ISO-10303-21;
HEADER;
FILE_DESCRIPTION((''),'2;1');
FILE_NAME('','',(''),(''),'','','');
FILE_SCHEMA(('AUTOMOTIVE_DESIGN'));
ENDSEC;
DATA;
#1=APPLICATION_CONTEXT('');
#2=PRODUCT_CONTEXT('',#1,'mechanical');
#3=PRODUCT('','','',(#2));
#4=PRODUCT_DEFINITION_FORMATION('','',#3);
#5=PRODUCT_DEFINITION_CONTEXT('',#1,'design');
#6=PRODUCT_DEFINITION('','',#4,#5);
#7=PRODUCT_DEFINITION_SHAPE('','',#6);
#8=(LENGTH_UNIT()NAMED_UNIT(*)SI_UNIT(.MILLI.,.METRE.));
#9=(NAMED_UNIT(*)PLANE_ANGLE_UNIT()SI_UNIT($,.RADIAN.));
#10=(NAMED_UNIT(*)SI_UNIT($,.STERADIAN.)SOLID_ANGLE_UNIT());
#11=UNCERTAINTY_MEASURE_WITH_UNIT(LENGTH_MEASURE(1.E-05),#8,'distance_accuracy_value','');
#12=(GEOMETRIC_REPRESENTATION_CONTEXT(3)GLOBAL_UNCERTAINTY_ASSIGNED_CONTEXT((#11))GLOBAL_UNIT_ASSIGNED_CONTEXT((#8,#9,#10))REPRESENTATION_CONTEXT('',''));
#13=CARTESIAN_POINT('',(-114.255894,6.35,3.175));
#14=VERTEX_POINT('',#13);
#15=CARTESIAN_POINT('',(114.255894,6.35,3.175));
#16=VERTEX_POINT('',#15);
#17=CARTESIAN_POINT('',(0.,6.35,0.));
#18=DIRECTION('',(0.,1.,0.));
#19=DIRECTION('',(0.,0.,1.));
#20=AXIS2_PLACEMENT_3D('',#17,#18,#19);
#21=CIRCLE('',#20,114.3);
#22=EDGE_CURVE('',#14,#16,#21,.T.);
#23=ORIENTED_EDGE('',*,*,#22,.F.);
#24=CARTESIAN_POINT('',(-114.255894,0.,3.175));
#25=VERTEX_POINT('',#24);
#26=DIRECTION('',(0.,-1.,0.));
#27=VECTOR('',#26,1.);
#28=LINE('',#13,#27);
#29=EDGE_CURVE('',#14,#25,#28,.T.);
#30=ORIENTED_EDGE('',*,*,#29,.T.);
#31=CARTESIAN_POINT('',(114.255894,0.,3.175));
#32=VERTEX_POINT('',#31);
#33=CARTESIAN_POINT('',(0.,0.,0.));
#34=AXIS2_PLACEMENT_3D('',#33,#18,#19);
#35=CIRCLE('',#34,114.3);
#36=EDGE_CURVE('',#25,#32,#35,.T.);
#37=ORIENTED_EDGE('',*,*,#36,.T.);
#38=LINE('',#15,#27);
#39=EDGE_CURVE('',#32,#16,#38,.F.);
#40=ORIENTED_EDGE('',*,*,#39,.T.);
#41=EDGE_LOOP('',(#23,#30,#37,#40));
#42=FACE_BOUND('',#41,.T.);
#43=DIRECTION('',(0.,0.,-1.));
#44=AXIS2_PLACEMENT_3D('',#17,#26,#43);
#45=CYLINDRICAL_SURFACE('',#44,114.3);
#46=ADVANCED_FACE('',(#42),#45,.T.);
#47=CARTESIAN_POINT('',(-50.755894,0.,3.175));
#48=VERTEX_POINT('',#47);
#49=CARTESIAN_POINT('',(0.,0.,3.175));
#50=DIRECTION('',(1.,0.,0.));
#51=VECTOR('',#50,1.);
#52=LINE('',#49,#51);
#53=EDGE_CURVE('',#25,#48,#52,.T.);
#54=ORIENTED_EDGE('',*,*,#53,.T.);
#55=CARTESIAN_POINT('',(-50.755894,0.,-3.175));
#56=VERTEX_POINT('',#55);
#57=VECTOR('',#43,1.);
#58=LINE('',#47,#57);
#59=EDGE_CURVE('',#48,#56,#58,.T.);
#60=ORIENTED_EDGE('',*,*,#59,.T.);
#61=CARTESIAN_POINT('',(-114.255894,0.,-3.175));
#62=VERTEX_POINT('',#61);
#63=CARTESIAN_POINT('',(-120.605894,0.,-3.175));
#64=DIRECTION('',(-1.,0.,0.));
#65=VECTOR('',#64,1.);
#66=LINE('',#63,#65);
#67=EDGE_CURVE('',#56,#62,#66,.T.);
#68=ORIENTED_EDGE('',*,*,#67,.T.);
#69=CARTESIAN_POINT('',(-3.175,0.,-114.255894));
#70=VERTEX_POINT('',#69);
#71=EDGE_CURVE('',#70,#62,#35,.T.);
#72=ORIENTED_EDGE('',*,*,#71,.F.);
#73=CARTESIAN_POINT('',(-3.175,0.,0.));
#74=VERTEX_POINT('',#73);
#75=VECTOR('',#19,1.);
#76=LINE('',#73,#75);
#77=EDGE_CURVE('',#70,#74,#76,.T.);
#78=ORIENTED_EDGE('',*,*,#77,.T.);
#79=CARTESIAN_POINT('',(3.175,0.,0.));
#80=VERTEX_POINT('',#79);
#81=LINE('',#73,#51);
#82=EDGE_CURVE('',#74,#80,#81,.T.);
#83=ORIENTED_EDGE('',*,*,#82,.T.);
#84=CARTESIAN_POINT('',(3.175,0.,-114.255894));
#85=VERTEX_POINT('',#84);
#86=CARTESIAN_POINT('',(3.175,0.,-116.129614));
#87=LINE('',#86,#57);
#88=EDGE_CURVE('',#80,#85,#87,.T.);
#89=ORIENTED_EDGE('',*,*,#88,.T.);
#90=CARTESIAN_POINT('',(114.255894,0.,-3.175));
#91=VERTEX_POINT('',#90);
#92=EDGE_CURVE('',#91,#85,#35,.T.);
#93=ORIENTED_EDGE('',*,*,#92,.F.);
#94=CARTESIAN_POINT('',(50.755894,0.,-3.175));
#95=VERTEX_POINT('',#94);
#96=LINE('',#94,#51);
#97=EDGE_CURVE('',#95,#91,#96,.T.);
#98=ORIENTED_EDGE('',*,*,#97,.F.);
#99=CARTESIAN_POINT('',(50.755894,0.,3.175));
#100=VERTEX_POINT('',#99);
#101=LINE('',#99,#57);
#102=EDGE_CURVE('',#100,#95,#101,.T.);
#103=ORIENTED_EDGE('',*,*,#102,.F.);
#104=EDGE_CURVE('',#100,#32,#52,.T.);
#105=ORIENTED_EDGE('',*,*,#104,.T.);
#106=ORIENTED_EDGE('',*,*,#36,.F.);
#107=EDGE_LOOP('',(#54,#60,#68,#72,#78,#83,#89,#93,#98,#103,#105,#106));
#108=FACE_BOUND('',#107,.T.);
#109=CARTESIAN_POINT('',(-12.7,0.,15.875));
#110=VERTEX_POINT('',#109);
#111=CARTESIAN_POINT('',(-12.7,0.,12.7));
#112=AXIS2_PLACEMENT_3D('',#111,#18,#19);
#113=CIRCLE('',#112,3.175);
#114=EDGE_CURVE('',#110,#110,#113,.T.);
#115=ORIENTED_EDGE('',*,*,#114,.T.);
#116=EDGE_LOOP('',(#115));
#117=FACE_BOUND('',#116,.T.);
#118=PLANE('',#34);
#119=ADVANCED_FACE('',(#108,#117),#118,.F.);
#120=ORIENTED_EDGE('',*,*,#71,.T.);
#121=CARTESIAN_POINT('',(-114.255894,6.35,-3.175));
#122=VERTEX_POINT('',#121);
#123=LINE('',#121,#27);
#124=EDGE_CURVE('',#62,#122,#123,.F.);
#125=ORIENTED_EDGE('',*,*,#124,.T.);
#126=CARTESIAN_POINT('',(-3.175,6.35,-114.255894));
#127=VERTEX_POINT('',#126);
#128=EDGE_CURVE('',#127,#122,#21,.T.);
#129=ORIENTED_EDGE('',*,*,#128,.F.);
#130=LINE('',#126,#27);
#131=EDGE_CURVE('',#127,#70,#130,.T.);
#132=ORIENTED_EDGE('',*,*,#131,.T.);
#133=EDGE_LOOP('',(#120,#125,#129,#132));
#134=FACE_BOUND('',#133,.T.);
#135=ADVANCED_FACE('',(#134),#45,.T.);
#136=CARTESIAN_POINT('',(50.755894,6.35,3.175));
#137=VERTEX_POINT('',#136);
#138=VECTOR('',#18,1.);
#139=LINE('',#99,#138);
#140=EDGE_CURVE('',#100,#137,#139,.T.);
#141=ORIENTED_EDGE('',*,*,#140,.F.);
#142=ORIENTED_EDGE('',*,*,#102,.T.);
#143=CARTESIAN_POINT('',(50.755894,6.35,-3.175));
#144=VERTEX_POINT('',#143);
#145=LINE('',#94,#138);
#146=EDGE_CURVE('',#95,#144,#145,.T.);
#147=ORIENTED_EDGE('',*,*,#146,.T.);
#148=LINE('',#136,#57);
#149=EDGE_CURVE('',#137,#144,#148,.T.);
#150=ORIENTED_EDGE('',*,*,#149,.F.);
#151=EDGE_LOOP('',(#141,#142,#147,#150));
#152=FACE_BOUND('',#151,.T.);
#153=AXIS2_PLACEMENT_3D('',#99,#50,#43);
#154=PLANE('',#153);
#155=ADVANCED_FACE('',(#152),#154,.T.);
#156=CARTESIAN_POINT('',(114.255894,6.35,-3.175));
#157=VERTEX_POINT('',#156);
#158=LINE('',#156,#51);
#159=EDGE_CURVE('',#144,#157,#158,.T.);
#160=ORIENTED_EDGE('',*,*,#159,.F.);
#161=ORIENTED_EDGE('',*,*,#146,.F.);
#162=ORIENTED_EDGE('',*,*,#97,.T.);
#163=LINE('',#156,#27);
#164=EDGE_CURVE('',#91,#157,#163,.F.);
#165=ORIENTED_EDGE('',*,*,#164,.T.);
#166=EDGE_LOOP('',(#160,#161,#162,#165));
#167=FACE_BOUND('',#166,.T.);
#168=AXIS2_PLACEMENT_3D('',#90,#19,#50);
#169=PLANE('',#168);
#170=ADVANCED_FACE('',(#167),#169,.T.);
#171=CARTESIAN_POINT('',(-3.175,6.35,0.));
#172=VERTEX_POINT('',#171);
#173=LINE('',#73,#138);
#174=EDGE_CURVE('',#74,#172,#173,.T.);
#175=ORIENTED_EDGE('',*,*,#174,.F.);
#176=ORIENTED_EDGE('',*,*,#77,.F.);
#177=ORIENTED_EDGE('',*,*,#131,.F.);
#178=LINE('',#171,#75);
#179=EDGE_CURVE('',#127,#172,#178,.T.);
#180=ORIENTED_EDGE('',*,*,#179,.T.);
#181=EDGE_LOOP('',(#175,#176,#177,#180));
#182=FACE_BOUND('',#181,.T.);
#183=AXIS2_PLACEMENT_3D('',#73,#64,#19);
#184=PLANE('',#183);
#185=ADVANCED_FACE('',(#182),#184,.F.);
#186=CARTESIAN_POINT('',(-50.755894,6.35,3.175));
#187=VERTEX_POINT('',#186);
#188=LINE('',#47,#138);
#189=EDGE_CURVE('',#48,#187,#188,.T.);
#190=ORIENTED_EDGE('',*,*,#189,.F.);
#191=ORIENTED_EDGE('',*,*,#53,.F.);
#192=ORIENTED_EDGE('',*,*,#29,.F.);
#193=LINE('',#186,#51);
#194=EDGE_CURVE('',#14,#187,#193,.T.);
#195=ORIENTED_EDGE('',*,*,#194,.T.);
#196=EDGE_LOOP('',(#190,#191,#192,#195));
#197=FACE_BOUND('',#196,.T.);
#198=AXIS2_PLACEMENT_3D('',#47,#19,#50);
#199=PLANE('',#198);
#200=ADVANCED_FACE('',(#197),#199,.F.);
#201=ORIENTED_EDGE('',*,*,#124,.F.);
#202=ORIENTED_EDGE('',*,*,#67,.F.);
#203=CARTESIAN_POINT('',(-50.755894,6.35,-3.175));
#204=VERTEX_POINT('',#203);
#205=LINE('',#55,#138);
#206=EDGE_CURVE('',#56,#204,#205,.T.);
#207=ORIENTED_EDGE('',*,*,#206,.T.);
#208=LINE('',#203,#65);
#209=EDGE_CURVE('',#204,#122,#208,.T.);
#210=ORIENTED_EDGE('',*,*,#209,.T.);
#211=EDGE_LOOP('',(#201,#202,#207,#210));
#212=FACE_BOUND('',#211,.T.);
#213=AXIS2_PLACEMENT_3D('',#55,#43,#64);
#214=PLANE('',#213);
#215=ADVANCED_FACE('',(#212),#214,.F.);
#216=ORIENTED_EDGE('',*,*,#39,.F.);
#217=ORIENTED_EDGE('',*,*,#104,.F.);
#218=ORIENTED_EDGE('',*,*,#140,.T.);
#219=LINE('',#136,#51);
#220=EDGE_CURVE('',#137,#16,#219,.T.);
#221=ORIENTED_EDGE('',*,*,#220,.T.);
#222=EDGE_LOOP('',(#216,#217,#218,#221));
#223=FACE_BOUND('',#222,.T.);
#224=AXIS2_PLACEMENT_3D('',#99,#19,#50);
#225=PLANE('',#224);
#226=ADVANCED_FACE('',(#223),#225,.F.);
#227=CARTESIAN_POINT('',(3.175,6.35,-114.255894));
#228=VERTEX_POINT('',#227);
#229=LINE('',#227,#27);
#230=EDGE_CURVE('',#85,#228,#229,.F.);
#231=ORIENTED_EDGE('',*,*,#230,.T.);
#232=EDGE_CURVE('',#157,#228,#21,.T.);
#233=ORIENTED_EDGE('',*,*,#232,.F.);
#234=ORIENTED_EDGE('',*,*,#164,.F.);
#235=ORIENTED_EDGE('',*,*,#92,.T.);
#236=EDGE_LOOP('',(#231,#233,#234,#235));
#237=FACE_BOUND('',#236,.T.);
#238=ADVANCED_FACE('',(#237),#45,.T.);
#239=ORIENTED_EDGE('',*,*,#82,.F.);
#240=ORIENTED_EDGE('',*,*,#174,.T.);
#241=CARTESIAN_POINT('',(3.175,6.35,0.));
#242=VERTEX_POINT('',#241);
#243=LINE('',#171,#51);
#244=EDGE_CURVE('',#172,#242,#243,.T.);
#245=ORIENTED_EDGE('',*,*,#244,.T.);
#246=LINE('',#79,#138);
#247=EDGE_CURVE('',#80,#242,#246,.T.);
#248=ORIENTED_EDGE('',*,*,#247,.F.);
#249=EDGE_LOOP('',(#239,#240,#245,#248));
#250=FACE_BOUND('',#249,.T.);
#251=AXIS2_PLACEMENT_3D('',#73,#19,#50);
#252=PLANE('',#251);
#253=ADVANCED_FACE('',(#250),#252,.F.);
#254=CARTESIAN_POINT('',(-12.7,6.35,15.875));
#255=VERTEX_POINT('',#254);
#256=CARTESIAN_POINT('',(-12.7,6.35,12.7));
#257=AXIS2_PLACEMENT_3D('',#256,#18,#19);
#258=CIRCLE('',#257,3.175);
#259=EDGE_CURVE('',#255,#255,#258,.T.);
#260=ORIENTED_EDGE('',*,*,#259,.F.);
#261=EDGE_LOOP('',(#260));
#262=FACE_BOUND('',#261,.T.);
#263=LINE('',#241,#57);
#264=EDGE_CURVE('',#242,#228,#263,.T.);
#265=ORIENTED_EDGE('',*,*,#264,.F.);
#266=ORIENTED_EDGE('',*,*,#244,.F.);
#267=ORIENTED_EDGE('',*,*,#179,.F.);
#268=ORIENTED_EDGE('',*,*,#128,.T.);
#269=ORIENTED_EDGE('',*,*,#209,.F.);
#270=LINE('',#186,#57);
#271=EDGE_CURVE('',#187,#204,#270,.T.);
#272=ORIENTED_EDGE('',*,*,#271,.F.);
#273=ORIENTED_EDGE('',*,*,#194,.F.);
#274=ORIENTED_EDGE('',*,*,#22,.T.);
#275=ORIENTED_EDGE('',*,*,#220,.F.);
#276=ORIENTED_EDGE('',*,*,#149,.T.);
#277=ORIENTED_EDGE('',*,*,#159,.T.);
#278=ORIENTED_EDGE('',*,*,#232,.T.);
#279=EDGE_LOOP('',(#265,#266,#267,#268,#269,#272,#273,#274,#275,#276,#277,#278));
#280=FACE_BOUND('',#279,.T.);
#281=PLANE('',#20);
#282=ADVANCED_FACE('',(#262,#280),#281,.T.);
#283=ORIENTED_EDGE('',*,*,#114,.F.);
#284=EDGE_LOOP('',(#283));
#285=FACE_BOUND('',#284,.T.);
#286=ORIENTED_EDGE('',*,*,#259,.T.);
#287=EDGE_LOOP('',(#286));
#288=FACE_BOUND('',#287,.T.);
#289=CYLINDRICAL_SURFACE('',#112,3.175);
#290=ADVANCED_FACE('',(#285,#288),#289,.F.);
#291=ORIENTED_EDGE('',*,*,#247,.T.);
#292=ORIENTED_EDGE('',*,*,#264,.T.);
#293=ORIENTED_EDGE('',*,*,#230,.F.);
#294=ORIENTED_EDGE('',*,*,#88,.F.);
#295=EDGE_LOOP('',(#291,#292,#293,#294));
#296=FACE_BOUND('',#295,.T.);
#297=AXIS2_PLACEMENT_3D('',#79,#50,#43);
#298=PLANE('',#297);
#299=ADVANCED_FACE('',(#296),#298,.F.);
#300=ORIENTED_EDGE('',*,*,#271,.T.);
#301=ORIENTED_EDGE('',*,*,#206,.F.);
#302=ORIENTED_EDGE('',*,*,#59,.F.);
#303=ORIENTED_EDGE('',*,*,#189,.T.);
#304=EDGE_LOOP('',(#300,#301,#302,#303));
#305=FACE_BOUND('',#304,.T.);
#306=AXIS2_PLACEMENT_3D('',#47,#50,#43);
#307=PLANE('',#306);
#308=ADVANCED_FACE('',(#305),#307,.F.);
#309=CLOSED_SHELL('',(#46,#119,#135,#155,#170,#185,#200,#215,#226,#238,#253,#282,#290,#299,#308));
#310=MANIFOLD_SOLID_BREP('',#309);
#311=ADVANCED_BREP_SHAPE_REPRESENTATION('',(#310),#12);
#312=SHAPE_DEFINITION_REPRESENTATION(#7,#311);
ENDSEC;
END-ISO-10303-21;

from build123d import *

# Parameters (mm, degrees)
SKETCH1_R           = 114.3
BOSS_EXTRUDE1_DEPTH = 6.35
CUT_EXTRUDE2_DEPTH  = 162.769287876
CUT_EXTRUDE3_DEPTH  = 162.769287876
CUT_EXTRUDE5_DEPTH  = 162.738127462
SKETCH6_R           = 3.175
CUT_EXTRUDE6_DEPTH  = 162.738127462


with BuildPart() as part:
    # Sketch1 → Boss-Extrude1 (new body)
    with BuildSketch(Plane(origin=(0, 0, 0), x_dir=(1, 0, 0), z_dir=(0, 1, 0))):
        Circle(SKETCH1_R)
    extrude(amount=BOSS_EXTRUDE1_DEPTH)

    # Sketch3 → Cut-Extrude2 (cut, through all)
    with BuildSketch(Plane(origin=(0, 6.35, 0), x_dir=(1, 0, 0), z_dir=(0, 1, 0))):
        Polygon((114.255894268, 3.175), (120.605894268, 3.175), (120.605894268, -3.175), (114.255894268, -3.175), (50.755894268, -3.175), (50.755894268, 3.175), align=None)
    extrude(amount=-CUT_EXTRUDE2_DEPTH, mode=Mode.SUBTRACT)

    # Sketch4 → Cut-Extrude3 (cut, through all)
    with BuildSketch(Plane(origin=(0, 6.35, 0), x_dir=(1, 0, 0), z_dir=(0, 1, 0))):
        Polygon((-50.755894268, -3.175), (-114.255894268, -3.175), (-120.605894268, -3.175), (-120.605894268, 3.175), (-114.255894268, 3.175), (-50.755894268, 3.175), align=None)
    extrude(amount=-CUT_EXTRUDE3_DEPTH, mode=Mode.SUBTRACT)

    # Sketch5 → Cut-Extrude5 (cut, through all)
    with BuildSketch(Plane(origin=(0, 6.35, 0), x_dir=(1, 0, 0), z_dir=(0, 1, 0))):
        Polygon((-3.175, 0), (3.175, 0), (3.175, 114.255894268), (3.175, 116.129613815), (-3.175, 116.129613815), (-3.175, 114.255894268), align=None)
    extrude(amount=-CUT_EXTRUDE5_DEPTH, mode=Mode.SUBTRACT)

    # Sketch6 → Cut-Extrude6 (cut, through all)
    with BuildSketch(Plane(origin=(0, 6.35, 0), x_dir=(1, 0, 0), z_dir=(0, 1, 0))):
        with Locations((-12.7, -12.7)):
            Circle(SKETCH6_R)
    extrude(amount=-CUT_EXTRUDE6_DEPTH, mode=Mode.SUBTRACT)


solid = part.part
